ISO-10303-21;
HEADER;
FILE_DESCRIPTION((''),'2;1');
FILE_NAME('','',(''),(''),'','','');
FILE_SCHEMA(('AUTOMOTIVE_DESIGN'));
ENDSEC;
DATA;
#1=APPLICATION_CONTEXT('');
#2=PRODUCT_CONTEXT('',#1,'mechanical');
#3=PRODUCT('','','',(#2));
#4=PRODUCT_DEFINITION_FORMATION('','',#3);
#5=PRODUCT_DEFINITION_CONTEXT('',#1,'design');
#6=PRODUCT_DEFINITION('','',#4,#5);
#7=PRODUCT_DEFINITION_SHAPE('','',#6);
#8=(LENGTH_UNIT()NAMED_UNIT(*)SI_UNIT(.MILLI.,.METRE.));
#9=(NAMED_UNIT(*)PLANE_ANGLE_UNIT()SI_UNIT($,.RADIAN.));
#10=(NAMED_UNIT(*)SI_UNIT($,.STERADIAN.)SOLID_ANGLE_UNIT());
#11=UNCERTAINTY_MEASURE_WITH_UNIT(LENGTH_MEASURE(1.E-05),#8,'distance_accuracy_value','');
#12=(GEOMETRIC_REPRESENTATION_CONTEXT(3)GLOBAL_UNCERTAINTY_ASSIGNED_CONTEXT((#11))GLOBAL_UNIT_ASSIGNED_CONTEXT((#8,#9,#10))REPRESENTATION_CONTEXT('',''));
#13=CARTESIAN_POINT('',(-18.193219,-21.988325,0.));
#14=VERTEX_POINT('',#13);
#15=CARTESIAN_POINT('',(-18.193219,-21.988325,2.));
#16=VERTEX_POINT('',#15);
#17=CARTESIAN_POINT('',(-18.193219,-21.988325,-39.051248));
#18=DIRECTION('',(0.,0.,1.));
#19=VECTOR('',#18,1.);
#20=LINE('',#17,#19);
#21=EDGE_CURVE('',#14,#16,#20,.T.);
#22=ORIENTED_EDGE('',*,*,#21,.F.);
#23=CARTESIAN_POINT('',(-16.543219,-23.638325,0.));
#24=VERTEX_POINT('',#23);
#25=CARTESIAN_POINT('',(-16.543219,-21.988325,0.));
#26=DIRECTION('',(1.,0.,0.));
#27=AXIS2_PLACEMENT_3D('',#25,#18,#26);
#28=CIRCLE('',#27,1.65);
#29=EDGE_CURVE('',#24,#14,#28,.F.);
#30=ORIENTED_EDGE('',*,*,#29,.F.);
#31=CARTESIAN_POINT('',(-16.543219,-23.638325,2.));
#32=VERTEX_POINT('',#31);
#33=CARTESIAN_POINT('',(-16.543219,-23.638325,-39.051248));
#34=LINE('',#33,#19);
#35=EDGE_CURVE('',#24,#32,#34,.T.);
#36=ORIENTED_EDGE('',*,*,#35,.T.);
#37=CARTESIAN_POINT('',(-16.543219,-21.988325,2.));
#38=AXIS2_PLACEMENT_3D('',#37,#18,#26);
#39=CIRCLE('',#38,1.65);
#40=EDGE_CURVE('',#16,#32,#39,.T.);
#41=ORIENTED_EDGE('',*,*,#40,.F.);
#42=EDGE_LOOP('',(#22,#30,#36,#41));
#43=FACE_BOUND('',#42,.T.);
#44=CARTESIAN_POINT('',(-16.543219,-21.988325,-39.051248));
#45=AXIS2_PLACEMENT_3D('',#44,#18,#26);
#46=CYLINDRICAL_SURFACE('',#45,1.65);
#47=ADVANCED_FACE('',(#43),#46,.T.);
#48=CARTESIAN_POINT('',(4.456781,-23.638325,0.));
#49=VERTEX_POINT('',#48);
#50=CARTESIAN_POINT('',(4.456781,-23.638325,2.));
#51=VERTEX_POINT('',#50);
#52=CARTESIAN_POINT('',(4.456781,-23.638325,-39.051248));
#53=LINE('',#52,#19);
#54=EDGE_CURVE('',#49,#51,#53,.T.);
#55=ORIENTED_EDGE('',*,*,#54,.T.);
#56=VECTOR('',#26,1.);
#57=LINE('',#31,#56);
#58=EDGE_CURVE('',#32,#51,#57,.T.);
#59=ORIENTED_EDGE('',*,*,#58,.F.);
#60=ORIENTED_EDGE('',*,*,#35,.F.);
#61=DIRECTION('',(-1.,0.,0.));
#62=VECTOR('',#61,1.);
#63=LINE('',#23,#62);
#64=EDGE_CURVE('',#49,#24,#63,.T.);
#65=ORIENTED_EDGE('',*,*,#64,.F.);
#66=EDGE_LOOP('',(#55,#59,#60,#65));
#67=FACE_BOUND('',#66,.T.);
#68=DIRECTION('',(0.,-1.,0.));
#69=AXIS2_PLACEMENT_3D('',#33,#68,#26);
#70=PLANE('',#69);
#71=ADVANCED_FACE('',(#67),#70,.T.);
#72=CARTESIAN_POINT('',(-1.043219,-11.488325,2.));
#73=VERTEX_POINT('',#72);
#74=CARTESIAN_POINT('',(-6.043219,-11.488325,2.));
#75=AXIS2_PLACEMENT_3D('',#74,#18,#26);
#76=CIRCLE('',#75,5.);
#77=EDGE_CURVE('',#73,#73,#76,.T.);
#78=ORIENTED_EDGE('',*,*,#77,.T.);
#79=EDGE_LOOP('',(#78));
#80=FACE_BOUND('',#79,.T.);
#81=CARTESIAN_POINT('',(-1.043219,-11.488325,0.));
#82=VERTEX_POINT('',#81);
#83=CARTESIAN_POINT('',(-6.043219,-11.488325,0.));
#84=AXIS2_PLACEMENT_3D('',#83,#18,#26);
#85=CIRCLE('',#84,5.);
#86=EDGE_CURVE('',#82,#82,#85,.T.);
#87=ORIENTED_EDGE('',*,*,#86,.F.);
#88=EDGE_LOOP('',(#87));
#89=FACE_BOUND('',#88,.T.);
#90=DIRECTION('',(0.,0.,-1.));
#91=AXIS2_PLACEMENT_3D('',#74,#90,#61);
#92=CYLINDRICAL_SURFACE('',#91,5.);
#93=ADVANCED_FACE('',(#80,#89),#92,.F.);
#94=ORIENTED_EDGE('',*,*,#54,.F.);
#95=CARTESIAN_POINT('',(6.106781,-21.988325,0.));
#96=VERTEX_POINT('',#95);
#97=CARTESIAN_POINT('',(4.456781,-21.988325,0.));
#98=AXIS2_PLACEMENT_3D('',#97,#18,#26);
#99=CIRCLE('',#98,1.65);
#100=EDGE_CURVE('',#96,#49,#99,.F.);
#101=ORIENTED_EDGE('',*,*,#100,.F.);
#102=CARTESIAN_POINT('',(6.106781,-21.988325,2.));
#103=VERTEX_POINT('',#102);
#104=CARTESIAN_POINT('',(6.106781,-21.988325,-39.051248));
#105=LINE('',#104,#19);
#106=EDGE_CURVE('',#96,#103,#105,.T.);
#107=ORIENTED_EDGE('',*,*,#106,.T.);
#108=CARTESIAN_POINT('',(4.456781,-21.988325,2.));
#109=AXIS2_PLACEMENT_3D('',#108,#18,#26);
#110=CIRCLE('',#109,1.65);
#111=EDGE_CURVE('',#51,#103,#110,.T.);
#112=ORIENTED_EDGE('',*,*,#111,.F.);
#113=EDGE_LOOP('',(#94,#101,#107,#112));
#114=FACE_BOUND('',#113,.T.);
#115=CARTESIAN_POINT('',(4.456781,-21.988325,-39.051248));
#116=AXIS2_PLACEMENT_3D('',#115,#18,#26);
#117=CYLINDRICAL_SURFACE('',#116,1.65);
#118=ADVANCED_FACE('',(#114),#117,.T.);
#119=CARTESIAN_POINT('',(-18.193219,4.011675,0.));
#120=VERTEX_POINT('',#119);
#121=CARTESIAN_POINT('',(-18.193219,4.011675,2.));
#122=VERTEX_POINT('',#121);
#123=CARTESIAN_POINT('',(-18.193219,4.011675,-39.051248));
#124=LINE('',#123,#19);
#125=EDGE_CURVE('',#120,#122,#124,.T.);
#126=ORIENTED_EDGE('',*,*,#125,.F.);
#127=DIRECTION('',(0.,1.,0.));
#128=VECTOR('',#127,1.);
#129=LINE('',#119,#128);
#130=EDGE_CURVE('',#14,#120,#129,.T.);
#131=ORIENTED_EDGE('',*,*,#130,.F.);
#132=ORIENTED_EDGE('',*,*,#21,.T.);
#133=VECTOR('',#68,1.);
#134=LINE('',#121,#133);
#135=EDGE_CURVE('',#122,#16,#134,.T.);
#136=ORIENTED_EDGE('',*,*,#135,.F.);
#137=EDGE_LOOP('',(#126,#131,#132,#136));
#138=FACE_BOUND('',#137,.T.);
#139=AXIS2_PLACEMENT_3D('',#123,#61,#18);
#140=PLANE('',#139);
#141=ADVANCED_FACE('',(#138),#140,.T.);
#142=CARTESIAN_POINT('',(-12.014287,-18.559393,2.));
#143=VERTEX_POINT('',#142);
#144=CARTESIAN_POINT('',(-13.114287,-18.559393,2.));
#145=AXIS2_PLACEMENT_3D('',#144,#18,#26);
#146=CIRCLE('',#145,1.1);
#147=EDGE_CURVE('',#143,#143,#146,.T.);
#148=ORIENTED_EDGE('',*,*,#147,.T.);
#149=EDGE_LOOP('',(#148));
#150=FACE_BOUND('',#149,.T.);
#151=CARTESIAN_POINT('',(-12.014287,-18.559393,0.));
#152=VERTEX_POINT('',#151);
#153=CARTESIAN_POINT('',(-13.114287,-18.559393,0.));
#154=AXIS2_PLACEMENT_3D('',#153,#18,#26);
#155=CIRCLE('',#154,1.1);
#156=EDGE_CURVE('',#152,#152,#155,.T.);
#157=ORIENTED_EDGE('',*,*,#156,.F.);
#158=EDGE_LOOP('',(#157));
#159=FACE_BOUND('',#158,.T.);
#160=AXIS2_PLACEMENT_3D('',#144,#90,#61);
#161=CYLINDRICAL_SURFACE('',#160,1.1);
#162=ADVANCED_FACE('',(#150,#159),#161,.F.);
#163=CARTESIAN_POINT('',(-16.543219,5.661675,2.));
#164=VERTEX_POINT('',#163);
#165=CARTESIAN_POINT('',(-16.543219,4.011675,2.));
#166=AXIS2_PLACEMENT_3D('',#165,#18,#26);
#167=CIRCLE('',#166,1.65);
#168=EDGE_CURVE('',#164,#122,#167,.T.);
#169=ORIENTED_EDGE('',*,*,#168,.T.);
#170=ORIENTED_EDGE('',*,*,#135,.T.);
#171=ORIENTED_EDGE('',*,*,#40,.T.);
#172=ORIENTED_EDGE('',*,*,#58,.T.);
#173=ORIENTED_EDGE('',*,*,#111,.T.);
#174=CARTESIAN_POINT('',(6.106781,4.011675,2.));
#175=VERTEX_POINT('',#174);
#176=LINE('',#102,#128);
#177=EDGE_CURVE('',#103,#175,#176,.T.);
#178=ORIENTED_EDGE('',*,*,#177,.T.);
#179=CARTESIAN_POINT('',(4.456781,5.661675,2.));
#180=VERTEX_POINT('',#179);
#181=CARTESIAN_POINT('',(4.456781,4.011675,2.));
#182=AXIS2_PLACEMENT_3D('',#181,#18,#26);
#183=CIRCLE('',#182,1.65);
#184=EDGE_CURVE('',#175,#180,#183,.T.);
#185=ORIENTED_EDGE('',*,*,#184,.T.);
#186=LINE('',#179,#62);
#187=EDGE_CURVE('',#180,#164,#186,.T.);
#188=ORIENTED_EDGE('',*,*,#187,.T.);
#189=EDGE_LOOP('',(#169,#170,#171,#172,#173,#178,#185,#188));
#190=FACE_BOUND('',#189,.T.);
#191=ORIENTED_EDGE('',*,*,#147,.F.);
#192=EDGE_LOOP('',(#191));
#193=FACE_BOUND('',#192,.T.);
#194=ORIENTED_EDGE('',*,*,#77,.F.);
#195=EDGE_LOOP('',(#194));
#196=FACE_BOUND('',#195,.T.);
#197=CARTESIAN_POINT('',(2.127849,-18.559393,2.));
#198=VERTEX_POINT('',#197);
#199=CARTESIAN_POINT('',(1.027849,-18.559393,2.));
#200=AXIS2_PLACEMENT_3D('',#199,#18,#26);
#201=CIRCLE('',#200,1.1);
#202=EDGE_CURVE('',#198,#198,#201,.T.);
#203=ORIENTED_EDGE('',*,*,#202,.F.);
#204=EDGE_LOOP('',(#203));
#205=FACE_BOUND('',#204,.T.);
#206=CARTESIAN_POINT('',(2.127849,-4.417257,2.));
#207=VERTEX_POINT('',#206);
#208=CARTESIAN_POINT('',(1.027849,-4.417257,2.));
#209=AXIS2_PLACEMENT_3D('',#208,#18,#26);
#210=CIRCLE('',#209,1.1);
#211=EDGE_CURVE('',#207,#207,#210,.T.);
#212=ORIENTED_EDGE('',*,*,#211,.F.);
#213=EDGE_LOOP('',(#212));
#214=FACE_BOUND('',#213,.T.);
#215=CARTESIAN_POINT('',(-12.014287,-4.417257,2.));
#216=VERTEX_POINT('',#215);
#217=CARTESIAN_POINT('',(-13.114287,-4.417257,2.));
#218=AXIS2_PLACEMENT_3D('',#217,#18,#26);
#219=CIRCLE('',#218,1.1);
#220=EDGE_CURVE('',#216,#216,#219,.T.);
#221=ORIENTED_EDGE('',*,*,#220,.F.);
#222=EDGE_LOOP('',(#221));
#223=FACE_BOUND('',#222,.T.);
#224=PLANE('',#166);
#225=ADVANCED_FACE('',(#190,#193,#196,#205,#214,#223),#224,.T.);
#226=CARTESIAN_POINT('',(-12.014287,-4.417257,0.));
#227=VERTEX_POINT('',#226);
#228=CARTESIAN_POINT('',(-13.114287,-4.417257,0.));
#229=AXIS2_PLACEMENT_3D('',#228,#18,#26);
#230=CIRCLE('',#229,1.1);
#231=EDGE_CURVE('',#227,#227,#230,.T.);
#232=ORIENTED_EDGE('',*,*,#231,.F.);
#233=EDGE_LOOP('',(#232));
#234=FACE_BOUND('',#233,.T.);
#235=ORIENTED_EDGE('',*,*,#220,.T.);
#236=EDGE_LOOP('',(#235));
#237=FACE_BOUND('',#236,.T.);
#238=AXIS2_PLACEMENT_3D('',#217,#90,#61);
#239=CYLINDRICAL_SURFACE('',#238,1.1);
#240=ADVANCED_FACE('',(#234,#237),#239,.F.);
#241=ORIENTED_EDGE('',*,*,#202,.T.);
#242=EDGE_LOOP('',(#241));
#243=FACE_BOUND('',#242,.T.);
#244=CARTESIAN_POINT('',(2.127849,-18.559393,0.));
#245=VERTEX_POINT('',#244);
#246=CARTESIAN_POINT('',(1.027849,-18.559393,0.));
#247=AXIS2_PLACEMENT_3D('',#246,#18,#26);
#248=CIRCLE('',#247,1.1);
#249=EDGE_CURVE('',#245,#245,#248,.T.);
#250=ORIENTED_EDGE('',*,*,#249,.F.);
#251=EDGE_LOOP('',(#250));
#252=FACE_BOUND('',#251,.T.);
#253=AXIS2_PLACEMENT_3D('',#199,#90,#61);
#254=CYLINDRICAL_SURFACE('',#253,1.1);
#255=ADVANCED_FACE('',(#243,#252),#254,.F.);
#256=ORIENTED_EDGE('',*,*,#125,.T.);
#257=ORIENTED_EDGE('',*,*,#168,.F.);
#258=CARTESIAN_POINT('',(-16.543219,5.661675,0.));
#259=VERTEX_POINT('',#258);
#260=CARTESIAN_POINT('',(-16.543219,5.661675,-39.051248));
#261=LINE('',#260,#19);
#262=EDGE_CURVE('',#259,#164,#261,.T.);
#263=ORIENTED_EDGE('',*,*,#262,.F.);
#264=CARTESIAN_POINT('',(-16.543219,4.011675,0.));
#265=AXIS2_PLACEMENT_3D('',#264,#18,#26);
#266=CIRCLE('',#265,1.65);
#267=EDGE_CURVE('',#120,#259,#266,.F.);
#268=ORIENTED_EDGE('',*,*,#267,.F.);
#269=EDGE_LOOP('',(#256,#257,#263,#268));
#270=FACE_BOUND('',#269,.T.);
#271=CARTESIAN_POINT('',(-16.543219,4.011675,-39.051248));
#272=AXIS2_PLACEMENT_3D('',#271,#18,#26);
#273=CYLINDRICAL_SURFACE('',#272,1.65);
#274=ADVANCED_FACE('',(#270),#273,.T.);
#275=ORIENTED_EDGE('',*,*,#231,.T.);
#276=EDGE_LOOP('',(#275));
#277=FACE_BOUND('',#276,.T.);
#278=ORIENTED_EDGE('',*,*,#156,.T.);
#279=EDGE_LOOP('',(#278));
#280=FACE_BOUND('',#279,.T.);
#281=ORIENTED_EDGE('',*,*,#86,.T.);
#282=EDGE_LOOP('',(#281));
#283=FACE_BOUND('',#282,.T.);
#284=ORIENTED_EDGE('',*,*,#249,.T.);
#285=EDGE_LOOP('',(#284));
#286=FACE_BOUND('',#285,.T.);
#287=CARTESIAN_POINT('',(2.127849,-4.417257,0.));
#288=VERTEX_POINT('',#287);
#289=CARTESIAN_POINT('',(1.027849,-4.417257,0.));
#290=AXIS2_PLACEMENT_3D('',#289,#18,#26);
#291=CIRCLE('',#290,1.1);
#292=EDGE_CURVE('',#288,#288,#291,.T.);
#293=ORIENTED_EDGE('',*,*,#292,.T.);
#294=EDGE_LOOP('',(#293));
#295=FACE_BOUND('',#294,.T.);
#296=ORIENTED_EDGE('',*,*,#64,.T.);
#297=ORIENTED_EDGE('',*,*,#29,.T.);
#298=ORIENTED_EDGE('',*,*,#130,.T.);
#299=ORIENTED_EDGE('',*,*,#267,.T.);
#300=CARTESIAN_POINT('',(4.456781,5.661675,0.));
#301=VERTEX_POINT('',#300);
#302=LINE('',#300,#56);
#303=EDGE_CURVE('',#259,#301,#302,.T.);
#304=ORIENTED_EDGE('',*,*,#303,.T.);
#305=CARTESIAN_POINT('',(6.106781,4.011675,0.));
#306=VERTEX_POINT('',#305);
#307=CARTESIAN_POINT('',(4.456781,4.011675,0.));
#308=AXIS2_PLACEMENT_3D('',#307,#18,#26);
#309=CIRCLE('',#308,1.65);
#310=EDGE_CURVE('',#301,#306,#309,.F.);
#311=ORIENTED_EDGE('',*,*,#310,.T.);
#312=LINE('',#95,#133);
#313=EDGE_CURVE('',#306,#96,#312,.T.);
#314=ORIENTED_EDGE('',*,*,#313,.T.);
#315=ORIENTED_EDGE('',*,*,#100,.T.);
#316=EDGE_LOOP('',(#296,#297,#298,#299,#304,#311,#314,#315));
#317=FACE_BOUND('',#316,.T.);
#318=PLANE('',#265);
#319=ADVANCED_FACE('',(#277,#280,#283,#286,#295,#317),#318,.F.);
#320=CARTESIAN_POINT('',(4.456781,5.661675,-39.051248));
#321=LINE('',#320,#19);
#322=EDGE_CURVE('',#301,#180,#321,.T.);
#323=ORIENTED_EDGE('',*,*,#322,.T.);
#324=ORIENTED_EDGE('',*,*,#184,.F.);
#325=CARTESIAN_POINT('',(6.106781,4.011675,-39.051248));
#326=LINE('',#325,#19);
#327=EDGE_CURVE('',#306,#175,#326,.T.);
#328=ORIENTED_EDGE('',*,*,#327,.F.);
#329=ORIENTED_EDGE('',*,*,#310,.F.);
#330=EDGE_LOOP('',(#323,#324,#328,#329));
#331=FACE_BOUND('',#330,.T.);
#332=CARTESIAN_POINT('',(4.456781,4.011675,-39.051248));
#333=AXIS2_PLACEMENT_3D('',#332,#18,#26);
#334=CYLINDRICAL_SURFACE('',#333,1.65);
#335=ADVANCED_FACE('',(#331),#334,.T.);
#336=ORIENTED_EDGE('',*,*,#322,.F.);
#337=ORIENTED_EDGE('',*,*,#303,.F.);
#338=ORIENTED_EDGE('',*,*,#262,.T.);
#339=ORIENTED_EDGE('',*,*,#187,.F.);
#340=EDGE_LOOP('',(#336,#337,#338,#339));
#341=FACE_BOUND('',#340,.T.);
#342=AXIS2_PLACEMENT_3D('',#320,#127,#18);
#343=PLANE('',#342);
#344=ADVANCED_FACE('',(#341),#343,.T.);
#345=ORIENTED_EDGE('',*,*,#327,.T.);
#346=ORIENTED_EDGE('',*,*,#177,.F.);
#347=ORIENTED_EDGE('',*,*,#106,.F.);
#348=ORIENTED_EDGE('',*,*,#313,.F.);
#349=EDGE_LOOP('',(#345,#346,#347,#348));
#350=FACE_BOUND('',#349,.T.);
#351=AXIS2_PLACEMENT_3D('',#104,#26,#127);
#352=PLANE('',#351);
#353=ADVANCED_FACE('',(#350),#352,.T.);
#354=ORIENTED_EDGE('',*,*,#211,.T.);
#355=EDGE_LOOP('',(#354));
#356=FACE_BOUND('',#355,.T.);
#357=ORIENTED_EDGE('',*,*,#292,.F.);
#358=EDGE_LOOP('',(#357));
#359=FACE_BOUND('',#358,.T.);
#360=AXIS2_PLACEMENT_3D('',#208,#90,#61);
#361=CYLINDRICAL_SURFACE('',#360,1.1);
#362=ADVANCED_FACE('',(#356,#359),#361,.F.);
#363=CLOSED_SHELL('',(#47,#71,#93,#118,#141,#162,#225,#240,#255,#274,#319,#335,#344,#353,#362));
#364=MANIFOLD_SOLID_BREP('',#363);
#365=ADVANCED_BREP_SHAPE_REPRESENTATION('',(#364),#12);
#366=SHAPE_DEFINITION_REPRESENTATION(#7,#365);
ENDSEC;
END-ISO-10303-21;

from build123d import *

# Parameters (mm, degrees)
CROQUIS1_R              = 5
CROQUIS1_R_2            = 1.1
SALIENTE_EXTRUIR1_DEPTH = 2
CORTAR_EXTRUIR1_START   = -2
CORTAR_EXTRUIR1_DEPTH   = 2


with BuildPart() as part:
    # Croquis1 → Saliente-Extruir1 (new body)
    with BuildSketch(Plane.XY):
        with BuildLine():
            Line((-18.543218985, 4.011674701), (-18.543218985, -21.988325299))
            ThreePointArc((-18.543218985, -21.988325299), (-17.957432547, -23.402538861), (-16.543218985, -23.988325299))
            Line((-16.543218985, -23.988325299), (4.456781015, -23.988325299))
            ThreePointArc((4.456781015, -23.988325299), (5.870994578, -23.402538861), (6.456781015, -21.988325299))
            Line((6.456781015, -21.988325299), (6.456781015, 4.011674701))
            ThreePointArc((6.456781015, 4.011674701), (5.870994578, 5.425888264), (4.456781015, 6.011674701))
            Line((4.456781015, 6.011674701), (-16.543218985, 6.011674701))
            ThreePointArc((-16.543218985, 6.011674701), (-17.957432547, 5.425888264), (-18.543218985, 4.011674701))
        make_face()
        with Locations((-6.043218985, -11.488325299)):
            Circle(CROQUIS1_R, mode=Mode.SUBTRACT)
        with Locations((-13.114286796, -4.417257487)):
            Circle(CROQUIS1_R_2, mode=Mode.SUBTRACT)
        with Locations((1.027848827, -4.417257487)):
            Circle(CROQUIS1_R_2, mode=Mode.SUBTRACT)
        with Locations((-13.114286796, -18.559393111)):
            Circle(CROQUIS1_R_2, mode=Mode.SUBTRACT)
        with Locations((1.027848827, -18.559393111)):
            Circle(CROQUIS1_R_2, mode=Mode.SUBTRACT)
    extrude(amount=SALIENTE_EXTRUIR1_DEPTH)

    # Croquis2 → Cortar-Extruir1 (cut)
    with BuildSketch(Plane.XY.offset(2).offset(CORTAR_EXTRUIR1_START)):
        with BuildLine():
            Line((4.456781015, 6.011674701), (-16.543218985, 6.011674701))
            ThreePointArc((-16.543218985, 6.011674701), (-17.957432547, 5.425888264), (-18.543218985, 4.011674701))
            Line((-18.543218985, 4.011674701), (-18.543218985, -21.988325299))
            ThreePointArc((-18.543218985, -21.988325299), (-17.957432547, -23.402538861), (-16.543218985, -23.988325299))
            Line((-16.543218985, -23.988325299), (4.456781015, -23.988325299))
            ThreePointArc((4.456781015, -23.988325299), (5.870994578, -23.402538861), (6.456781015, -21.988325299))
            Line((6.456781015, -21.988325299), (6.456781015, 4.011674701))
            ThreePointArc((6.456781015, 4.011674701), (5.870994578, 5.425888264), (4.456781015, 6.011674701))
        make_face()
        with BuildLine():
            Line((-18.193218985, 4.011674701), (-18.193218985, -21.988325299))
            ThreePointArc((-18.193218985, -21.988325299), (-17.709945174, -23.155051488), (-16.543218985, -23.638325299))
            Line((-16.543218985, -23.638325299), (4.456781015, -23.638325299))
            ThreePointArc((4.456781015, -23.638325299), (5.623507204, -23.155051488), (6.106781015, -21.988325299))
            Line((6.106781015, -21.988325299), (6.106781015, 4.011674701))
            ThreePointArc((6.106781015, 4.011674701), (5.623507204, 5.17840089), (4.456781015, 5.661674701))
            Line((4.456781015, 5.661674701), (-16.543218985, 5.661674701))
            ThreePointArc((-16.543218985, 5.661674701), (-17.709945174, 5.17840089), (-18.193218985, 4.011674701))
        make_face(mode=Mode.SUBTRACT)
    extrude(amount=CORTAR_EXTRUIR1_DEPTH, mode=Mode.SUBTRACT)


solid = part.part
